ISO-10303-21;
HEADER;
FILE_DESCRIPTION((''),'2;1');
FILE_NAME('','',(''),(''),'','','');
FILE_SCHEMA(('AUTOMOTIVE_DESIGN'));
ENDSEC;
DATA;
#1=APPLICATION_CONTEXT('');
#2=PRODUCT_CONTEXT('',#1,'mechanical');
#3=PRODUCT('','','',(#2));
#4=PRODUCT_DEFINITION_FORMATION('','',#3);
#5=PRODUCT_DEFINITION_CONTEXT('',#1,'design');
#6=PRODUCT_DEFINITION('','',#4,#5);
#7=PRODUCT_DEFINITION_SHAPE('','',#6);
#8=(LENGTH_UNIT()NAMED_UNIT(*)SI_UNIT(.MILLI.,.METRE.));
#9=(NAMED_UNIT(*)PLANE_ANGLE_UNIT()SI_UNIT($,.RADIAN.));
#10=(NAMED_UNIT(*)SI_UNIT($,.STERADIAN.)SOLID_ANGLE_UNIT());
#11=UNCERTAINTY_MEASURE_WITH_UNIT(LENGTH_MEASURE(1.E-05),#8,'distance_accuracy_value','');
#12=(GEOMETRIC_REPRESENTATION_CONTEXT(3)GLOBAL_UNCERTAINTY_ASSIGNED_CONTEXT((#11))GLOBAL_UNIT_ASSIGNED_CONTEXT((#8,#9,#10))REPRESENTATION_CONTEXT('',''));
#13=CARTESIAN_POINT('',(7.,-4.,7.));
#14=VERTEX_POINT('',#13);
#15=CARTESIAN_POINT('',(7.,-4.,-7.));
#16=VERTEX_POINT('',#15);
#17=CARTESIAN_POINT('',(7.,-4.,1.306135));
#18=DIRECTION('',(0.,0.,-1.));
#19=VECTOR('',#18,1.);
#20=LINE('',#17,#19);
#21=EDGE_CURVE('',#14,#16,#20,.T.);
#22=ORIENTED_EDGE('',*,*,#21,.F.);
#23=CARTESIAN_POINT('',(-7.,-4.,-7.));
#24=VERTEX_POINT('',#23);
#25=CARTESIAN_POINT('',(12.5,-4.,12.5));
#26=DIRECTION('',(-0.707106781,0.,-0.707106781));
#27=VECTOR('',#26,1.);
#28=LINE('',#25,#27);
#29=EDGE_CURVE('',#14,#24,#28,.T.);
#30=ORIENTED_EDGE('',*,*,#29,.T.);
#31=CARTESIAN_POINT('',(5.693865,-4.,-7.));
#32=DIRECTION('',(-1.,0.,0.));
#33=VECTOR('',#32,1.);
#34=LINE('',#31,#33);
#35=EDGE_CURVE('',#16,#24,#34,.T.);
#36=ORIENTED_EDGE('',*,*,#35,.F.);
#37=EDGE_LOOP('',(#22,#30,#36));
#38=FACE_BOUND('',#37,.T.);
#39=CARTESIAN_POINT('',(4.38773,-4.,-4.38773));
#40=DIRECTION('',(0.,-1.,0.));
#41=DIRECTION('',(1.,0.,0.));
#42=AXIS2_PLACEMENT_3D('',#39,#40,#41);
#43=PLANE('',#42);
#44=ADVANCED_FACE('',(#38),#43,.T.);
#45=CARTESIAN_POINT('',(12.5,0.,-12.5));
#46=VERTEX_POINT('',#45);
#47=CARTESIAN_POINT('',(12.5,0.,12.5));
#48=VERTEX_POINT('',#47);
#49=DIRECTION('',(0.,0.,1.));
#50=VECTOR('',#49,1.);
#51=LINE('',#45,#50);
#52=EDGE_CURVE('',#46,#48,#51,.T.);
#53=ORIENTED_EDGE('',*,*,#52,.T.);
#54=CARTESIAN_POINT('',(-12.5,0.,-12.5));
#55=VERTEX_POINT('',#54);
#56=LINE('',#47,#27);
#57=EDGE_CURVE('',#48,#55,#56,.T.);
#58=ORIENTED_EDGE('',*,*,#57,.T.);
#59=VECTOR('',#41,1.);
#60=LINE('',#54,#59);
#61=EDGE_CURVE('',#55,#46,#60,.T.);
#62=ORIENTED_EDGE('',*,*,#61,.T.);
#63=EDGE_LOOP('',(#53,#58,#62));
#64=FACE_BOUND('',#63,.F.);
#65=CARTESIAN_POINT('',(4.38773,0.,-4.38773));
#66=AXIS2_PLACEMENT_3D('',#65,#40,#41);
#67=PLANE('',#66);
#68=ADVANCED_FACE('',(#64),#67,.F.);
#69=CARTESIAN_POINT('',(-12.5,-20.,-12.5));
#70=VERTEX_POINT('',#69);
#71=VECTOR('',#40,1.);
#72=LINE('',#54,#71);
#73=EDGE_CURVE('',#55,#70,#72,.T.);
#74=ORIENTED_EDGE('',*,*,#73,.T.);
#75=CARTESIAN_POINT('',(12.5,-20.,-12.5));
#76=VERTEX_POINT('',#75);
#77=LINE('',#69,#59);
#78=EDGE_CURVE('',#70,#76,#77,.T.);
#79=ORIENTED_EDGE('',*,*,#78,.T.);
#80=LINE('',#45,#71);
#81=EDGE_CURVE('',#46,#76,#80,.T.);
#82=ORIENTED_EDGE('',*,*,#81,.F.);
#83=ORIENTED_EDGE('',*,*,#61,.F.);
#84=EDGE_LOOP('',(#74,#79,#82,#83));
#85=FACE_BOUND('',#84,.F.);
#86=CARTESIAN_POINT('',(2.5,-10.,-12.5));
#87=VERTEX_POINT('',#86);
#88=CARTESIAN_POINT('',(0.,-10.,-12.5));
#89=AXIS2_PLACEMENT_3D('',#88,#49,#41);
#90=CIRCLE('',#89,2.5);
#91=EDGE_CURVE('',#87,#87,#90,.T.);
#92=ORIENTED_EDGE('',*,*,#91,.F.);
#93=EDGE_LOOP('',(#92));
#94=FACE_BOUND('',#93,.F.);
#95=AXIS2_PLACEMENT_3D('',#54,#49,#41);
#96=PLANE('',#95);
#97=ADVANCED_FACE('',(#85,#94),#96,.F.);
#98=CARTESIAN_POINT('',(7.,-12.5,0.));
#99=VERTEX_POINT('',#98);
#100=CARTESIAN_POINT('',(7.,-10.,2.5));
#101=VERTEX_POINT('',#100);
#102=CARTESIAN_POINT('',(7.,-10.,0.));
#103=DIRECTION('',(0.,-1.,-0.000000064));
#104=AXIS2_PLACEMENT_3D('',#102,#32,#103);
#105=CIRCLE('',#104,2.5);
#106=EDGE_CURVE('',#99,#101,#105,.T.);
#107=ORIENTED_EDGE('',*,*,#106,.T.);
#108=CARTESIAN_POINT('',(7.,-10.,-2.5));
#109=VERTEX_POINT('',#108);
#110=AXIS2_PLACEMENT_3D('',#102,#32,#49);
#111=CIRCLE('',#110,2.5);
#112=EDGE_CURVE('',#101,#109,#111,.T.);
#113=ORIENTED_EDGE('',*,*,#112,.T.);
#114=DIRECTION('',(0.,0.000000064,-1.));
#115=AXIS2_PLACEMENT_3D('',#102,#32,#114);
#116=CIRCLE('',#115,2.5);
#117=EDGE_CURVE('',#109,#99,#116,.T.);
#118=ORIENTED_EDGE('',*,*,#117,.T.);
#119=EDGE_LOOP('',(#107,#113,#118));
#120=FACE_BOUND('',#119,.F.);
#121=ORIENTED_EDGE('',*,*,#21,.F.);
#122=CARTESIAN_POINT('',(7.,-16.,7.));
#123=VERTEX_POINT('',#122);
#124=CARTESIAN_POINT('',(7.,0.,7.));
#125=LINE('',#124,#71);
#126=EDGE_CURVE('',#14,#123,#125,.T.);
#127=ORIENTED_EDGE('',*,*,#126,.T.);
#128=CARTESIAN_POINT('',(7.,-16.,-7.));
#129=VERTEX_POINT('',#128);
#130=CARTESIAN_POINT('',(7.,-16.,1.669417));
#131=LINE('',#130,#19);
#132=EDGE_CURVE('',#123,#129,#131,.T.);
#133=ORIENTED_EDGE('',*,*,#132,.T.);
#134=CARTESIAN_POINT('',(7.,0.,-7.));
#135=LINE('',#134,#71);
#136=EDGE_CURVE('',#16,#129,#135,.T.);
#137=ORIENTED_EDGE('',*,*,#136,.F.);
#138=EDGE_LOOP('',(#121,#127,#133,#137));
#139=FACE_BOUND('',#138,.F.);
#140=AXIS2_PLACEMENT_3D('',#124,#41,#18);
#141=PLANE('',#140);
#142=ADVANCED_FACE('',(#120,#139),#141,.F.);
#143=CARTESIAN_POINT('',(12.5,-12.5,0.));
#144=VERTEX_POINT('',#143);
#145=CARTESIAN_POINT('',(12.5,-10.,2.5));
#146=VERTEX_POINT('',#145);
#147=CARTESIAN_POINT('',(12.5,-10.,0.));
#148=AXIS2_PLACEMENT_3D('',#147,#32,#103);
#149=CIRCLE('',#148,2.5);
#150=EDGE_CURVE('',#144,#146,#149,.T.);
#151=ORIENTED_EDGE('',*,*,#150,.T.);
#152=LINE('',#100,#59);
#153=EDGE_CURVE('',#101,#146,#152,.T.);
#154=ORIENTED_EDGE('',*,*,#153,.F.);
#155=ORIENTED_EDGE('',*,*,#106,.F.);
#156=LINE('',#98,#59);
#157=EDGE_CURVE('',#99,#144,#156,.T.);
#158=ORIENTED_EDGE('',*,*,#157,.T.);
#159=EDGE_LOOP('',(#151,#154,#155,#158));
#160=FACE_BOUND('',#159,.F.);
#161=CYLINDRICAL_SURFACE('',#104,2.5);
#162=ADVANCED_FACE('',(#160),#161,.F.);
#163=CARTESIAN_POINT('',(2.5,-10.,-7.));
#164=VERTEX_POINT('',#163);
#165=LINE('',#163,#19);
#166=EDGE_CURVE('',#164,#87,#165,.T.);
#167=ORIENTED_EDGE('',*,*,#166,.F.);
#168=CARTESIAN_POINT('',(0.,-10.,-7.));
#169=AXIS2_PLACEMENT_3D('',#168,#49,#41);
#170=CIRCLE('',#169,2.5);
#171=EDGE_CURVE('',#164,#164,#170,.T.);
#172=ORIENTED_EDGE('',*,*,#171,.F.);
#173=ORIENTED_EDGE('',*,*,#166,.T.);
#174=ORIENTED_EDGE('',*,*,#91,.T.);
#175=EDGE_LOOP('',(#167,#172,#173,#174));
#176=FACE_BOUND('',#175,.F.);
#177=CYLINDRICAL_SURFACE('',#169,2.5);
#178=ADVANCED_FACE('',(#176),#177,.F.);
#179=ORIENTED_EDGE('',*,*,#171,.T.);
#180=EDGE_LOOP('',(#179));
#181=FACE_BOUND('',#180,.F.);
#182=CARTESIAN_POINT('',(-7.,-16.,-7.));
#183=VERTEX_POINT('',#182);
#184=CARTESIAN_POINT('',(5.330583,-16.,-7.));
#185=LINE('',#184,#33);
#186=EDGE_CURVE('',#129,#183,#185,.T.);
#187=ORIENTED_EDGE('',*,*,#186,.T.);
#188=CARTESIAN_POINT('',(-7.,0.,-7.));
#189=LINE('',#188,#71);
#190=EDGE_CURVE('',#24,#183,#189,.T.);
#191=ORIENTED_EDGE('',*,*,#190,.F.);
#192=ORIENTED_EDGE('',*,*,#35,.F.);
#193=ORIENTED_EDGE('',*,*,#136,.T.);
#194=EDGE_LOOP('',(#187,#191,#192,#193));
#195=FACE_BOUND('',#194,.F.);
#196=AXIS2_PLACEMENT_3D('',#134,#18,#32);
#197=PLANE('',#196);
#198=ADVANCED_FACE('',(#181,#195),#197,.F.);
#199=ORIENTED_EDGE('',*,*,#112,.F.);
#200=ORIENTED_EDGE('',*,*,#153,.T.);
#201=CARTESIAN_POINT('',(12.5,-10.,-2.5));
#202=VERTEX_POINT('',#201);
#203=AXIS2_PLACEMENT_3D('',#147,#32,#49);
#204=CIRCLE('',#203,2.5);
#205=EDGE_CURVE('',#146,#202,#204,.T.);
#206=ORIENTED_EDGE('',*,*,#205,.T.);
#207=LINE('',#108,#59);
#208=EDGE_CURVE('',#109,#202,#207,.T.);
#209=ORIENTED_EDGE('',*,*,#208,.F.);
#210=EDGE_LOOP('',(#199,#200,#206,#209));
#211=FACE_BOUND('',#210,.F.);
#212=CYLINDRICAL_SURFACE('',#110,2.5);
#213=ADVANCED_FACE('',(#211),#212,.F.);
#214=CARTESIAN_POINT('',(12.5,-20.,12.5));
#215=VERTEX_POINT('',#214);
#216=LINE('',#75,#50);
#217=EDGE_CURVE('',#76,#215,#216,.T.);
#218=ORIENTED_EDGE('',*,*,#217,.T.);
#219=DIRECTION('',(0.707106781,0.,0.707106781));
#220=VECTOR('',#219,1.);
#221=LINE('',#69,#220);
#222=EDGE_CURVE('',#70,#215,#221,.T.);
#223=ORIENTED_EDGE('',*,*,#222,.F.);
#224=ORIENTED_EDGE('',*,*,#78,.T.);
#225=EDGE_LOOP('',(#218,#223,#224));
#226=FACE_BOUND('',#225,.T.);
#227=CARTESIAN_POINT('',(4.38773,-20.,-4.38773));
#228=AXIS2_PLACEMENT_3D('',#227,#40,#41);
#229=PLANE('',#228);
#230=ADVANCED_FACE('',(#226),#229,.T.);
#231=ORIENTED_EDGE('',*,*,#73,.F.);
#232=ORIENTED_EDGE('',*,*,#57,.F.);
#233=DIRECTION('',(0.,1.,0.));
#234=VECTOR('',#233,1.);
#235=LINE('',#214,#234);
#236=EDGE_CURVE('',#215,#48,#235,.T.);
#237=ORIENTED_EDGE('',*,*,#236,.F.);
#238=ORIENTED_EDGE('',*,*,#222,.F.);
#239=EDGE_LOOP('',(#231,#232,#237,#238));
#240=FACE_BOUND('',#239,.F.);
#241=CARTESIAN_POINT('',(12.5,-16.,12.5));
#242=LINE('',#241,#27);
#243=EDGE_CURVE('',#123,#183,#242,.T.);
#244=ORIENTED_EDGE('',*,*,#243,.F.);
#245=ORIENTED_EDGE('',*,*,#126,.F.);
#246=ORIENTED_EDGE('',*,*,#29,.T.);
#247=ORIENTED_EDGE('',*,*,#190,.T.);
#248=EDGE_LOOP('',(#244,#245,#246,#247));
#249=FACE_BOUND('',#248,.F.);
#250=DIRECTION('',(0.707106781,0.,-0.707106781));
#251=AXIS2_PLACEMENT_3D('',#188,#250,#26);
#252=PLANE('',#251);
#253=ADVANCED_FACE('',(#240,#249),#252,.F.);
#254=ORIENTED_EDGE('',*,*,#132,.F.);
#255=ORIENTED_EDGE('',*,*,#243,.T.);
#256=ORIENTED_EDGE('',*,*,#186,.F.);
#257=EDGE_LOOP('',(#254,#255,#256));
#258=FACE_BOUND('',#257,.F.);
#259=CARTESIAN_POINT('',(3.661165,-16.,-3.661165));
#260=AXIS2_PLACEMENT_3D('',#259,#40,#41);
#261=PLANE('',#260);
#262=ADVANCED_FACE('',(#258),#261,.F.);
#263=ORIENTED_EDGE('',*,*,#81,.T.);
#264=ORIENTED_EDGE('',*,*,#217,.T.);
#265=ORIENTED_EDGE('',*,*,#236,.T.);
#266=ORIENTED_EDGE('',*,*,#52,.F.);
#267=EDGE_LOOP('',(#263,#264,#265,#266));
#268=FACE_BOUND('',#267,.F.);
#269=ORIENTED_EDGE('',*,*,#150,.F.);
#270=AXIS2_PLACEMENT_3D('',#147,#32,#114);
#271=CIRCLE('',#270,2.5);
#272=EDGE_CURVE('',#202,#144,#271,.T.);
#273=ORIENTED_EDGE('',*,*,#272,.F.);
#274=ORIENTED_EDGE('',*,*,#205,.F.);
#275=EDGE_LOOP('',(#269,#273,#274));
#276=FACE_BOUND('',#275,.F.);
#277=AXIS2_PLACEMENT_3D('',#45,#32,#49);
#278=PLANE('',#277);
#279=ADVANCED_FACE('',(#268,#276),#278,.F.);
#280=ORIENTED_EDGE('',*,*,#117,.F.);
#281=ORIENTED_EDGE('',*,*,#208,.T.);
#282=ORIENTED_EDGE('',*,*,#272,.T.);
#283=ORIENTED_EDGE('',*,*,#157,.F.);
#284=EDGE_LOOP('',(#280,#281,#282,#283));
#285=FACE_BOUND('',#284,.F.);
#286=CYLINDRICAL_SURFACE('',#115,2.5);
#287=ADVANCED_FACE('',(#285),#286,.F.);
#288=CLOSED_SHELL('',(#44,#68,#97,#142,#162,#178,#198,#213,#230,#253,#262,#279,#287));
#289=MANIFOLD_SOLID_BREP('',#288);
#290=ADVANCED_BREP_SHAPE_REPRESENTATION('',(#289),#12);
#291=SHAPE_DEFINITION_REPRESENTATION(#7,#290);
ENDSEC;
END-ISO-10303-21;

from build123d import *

# Parameters (mm, degrees)
F1_DEPTH = 20
F2_DEPTH = 4
F4_DEPTH = 4
F6_DEPTH = 25.4
F7_R     = 2.5
F8_DEPTH = 25.4


with BuildPart() as f1:
    # F0 (on Front) → F1 (new body)
    with BuildSketch(Plane.XZ):
        Polygon((-7, -7), (-12.5, -12.5), (7, -12.5), (12.5, -12.5), (12.5, -7), (12.5, 12.5), (7, 7), (7, -7), align=None)
    extrude(amount=F1_DEPTH)

    # F0 (on Front) → F2 (join)
    with BuildSketch(Plane.XZ):
        Polygon((-7, -7), (-12.5, -12.5), (7, -12.5), (12.5, -12.5), (12.5, -7), (12.5, 12.5), (7, 7), (7, -7), align=None)
        Polygon((7, 7), (-7, -7), (7, -7), align=None)
    extrude(amount=F2_DEPTH)

    # F3 (on face) → F4 (join)
    with BuildSketch(Plane.XZ.offset(20)):
        Polygon((12.5, 12.5), (-12.5, -12.5), (12.5, -12.5), align=None)
    extrude(amount=-F4_DEPTH)

    # F5 (on face) → F6 (cut)
    with BuildSketch(Plane(origin=(7, 0, 0), x_dir=(0, -1, 0), z_dir=(-1, 0, 0))):
        with BuildLine():
            Line((10, 2.5), (10, -2.5))
            ThreePointArc((10, -2.5), (11.767767, -1.767767), (12.5, 0))
            ThreePointArc((12.5, 0), (11.767767, 1.767767), (10, 2.5))
        make_face()
        with BuildLine():
            ThreePointArc((10, 2.5), (7.5, 0), (10, -2.5))
            Line((10, -2.5), (10, 2.5))
        make_face()
    extrude(amount=-F6_DEPTH, mode=Mode.SUBTRACT)

    # F7 (on face) → F8 (cut)
    with BuildSketch(Plane.XY.offset(-7)):
        with Locations((0, -10)):
            Circle(F7_R)
    extrude(amount=-F8_DEPTH, mode=Mode.SUBTRACT)


solid = f1.part
